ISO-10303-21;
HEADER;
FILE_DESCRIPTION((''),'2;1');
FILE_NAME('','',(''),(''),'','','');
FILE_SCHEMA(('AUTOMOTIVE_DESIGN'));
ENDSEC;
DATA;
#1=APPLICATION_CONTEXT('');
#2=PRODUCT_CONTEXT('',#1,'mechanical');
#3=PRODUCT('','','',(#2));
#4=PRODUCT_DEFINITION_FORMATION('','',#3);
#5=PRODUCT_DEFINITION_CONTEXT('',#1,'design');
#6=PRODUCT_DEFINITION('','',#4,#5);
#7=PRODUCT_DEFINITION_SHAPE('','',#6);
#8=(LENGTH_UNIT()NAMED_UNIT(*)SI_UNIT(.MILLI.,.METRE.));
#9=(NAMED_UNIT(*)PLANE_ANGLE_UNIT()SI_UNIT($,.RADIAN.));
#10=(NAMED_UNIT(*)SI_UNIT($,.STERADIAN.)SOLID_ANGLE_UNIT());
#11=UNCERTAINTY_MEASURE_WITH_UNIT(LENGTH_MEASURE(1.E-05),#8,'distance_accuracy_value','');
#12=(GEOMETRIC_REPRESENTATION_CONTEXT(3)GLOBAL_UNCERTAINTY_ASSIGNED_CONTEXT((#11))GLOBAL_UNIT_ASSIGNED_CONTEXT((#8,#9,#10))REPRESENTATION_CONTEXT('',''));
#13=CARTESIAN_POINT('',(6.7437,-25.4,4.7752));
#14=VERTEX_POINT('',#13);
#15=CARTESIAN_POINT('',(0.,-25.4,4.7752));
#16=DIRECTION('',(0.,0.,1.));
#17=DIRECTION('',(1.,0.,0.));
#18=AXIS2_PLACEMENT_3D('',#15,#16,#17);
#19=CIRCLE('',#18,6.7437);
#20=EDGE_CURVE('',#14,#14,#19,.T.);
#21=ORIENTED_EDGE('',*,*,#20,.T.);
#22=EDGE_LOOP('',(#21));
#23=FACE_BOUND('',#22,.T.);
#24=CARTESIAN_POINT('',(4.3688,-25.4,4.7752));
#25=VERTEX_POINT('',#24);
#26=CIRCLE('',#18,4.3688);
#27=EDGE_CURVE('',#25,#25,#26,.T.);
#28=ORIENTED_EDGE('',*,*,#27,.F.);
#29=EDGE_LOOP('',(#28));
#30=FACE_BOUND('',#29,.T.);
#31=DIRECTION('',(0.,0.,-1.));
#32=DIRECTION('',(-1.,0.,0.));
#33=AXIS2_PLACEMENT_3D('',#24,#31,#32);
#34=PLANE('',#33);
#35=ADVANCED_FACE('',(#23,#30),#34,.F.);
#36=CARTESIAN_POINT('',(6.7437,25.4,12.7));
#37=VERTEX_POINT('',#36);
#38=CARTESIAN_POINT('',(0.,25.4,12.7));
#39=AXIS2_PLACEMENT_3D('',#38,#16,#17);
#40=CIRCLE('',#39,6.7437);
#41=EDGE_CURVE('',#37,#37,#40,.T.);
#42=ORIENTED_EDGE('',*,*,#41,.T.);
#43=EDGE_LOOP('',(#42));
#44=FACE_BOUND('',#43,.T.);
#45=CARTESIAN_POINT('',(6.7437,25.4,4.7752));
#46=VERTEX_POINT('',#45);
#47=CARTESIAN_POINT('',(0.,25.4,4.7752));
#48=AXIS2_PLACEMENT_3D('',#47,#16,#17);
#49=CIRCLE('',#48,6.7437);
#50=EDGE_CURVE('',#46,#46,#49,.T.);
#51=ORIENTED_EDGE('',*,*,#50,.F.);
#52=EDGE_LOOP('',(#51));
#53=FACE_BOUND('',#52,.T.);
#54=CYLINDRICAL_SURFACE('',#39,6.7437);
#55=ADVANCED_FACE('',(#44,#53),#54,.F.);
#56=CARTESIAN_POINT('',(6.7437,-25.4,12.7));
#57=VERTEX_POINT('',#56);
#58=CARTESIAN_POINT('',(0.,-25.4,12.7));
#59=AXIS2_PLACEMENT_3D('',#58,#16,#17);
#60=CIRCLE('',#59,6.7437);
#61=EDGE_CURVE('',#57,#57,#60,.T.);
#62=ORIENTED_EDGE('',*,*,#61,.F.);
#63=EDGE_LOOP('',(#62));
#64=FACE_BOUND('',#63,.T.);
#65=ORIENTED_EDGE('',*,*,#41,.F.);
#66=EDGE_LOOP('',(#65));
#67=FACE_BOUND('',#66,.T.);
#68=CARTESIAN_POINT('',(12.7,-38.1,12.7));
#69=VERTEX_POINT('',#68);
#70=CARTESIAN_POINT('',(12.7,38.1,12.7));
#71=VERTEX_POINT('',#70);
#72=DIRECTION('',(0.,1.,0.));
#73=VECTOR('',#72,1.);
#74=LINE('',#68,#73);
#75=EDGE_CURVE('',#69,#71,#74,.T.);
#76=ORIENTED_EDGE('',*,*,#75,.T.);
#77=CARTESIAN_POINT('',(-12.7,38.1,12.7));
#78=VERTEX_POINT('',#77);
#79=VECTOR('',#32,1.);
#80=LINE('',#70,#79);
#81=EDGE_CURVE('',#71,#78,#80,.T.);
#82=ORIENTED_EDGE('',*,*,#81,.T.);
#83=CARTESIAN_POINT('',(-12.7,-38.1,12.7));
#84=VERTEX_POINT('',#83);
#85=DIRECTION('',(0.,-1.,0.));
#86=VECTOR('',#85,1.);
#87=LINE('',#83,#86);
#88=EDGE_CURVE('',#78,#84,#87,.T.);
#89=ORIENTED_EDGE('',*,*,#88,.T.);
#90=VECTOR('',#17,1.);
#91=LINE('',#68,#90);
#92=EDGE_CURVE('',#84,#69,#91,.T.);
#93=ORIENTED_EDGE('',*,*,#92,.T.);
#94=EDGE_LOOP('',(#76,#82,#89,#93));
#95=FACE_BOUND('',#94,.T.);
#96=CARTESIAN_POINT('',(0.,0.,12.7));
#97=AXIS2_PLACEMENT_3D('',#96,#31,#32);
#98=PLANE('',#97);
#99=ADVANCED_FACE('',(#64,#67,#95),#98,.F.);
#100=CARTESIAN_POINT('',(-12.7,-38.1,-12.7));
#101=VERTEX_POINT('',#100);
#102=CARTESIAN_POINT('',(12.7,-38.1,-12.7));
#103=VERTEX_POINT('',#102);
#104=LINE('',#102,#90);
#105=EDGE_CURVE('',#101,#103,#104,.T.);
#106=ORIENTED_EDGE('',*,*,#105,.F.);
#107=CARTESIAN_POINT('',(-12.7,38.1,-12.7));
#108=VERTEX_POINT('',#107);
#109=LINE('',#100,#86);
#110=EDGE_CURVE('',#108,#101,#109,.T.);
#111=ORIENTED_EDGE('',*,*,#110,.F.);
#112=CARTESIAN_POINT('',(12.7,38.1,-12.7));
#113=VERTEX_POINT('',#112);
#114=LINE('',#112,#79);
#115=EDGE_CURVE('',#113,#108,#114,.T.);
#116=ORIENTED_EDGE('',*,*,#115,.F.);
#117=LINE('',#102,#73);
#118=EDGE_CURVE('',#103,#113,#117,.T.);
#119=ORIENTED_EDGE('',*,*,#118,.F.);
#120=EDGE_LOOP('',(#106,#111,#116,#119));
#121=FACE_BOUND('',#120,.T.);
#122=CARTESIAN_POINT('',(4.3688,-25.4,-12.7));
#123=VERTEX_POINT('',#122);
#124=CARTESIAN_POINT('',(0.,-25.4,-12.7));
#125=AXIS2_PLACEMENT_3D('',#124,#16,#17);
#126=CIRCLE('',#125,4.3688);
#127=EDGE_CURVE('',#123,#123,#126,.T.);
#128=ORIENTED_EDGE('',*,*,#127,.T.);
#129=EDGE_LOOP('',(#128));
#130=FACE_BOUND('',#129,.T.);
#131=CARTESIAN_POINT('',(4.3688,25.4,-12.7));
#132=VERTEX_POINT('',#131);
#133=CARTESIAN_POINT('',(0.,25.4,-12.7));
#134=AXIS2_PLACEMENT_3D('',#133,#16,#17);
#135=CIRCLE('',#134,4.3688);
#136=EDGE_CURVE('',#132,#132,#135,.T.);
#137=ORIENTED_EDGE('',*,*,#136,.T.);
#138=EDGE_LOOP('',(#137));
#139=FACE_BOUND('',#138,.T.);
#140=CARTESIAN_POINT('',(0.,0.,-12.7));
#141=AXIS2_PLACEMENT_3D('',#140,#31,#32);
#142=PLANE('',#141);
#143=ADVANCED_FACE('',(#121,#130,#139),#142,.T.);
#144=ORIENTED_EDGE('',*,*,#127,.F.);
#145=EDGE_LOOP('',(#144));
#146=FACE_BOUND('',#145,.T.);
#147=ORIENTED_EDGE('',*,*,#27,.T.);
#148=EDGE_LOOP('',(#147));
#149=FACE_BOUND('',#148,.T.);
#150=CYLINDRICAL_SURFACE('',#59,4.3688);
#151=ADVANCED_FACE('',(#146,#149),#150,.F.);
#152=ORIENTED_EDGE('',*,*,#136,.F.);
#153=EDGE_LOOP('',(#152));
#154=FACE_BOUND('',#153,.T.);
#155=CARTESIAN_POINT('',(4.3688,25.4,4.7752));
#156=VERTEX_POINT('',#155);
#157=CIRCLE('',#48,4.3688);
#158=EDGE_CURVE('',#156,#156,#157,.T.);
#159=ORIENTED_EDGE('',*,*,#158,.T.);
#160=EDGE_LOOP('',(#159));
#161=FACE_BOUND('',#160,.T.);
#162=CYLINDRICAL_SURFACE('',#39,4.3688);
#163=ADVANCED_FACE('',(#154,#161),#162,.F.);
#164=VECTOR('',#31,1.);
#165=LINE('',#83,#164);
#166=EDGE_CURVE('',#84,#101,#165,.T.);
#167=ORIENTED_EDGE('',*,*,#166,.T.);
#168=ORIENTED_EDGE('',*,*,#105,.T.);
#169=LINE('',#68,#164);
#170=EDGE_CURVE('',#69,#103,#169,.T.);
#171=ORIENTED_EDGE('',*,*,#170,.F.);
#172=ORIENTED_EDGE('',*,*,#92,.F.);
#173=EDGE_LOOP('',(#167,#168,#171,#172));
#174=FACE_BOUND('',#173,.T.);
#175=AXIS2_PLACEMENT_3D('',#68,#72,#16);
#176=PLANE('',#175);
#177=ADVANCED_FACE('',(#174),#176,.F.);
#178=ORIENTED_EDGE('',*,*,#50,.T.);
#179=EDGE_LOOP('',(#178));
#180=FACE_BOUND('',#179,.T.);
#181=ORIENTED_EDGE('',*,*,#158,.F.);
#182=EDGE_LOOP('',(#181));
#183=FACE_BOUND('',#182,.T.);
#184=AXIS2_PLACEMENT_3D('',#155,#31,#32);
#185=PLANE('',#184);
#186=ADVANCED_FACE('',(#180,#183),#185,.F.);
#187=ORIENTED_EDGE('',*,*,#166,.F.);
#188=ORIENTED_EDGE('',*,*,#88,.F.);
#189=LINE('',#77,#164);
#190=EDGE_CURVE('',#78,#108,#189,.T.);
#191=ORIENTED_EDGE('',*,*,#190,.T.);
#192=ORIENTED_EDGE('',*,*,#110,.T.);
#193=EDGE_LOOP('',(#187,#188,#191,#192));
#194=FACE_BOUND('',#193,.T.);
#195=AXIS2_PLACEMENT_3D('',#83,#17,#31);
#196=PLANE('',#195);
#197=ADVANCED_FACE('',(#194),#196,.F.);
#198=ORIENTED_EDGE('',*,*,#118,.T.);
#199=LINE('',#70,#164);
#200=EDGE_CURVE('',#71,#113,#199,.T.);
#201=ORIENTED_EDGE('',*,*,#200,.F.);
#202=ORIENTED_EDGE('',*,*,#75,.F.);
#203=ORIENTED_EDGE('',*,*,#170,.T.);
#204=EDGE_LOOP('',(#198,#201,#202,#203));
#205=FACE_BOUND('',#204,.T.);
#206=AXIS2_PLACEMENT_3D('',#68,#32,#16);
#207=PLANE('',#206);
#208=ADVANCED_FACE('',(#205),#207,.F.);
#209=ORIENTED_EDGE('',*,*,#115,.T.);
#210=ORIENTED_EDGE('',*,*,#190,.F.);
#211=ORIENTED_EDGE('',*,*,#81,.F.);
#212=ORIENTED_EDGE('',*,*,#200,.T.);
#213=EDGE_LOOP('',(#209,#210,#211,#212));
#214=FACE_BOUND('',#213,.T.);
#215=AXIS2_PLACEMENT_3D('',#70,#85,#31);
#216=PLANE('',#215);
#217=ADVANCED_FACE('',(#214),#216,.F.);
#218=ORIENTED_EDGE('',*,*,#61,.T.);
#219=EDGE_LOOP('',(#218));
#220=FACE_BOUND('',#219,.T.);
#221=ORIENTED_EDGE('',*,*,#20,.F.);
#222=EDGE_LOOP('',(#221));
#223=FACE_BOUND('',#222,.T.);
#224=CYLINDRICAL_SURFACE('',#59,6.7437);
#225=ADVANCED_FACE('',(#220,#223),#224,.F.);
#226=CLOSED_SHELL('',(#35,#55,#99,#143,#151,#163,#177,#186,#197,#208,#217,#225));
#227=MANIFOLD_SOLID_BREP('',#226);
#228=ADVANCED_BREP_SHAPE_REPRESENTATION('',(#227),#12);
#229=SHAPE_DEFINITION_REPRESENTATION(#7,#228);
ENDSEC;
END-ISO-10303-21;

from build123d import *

# Parameters (mm, degrees)
SKETCH1_W                                         = 76.2
SKETCH1_H                                         = 25.4
BOSS_EXTRUDE1_DEPTH                               = 12.7
CBORE_FOR_5_16_SOCKET_HEAD_CAP_SCREW1_D           = 8.7376
CBORE_FOR_5_16_SOCKET_HEAD_CAP_SCREW1_DEPTH       = 25.4
CBORE_FOR_5_16_SOCKET_HEAD_CAP_SCREW1_CBORE_D     = 13.4874
CBORE_FOR_5_16_SOCKET_HEAD_CAP_SCREW1_CBORE_DEPTH = 7.9248
CBORE_FOR_5_16_SOCKET_HEAD_CAP_SCREW1_TIP         = 2.625039872


with BuildPart() as part:
    # Sketch1 → Boss-Extrude1 (new, symmetric)
    with BuildSketch(Plane(origin=(0, 0, 0), x_dir=(0, 1, 0), z_dir=(0, 0, 1))):
        Rectangle(SKETCH1_W, SKETCH1_H)
    extrude(amount=BOSS_EXTRUDE1_DEPTH, both=True)

    # CBORE for 5/16 Socket Head Cap Screw1
    with Locations(Plane.XY.offset(12.7)):
        with Locations((0, -25.4), (0, 25.4)):
            CounterBoreHole(CBORE_FOR_5_16_SOCKET_HEAD_CAP_SCREW1_D / 2, CBORE_FOR_5_16_SOCKET_HEAD_CAP_SCREW1_CBORE_D / 2, CBORE_FOR_5_16_SOCKET_HEAD_CAP_SCREW1_CBORE_DEPTH, depth=CBORE_FOR_5_16_SOCKET_HEAD_CAP_SCREW1_DEPTH)
            with Locations((0, 0, -(CBORE_FOR_5_16_SOCKET_HEAD_CAP_SCREW1_DEPTH + CBORE_FOR_5_16_SOCKET_HEAD_CAP_SCREW1_TIP / 2))):  # 118° drill point
                Cone(0, CBORE_FOR_5_16_SOCKET_HEAD_CAP_SCREW1_D / 2, CBORE_FOR_5_16_SOCKET_HEAD_CAP_SCREW1_TIP, mode=Mode.SUBTRACT)


solid = part.part
